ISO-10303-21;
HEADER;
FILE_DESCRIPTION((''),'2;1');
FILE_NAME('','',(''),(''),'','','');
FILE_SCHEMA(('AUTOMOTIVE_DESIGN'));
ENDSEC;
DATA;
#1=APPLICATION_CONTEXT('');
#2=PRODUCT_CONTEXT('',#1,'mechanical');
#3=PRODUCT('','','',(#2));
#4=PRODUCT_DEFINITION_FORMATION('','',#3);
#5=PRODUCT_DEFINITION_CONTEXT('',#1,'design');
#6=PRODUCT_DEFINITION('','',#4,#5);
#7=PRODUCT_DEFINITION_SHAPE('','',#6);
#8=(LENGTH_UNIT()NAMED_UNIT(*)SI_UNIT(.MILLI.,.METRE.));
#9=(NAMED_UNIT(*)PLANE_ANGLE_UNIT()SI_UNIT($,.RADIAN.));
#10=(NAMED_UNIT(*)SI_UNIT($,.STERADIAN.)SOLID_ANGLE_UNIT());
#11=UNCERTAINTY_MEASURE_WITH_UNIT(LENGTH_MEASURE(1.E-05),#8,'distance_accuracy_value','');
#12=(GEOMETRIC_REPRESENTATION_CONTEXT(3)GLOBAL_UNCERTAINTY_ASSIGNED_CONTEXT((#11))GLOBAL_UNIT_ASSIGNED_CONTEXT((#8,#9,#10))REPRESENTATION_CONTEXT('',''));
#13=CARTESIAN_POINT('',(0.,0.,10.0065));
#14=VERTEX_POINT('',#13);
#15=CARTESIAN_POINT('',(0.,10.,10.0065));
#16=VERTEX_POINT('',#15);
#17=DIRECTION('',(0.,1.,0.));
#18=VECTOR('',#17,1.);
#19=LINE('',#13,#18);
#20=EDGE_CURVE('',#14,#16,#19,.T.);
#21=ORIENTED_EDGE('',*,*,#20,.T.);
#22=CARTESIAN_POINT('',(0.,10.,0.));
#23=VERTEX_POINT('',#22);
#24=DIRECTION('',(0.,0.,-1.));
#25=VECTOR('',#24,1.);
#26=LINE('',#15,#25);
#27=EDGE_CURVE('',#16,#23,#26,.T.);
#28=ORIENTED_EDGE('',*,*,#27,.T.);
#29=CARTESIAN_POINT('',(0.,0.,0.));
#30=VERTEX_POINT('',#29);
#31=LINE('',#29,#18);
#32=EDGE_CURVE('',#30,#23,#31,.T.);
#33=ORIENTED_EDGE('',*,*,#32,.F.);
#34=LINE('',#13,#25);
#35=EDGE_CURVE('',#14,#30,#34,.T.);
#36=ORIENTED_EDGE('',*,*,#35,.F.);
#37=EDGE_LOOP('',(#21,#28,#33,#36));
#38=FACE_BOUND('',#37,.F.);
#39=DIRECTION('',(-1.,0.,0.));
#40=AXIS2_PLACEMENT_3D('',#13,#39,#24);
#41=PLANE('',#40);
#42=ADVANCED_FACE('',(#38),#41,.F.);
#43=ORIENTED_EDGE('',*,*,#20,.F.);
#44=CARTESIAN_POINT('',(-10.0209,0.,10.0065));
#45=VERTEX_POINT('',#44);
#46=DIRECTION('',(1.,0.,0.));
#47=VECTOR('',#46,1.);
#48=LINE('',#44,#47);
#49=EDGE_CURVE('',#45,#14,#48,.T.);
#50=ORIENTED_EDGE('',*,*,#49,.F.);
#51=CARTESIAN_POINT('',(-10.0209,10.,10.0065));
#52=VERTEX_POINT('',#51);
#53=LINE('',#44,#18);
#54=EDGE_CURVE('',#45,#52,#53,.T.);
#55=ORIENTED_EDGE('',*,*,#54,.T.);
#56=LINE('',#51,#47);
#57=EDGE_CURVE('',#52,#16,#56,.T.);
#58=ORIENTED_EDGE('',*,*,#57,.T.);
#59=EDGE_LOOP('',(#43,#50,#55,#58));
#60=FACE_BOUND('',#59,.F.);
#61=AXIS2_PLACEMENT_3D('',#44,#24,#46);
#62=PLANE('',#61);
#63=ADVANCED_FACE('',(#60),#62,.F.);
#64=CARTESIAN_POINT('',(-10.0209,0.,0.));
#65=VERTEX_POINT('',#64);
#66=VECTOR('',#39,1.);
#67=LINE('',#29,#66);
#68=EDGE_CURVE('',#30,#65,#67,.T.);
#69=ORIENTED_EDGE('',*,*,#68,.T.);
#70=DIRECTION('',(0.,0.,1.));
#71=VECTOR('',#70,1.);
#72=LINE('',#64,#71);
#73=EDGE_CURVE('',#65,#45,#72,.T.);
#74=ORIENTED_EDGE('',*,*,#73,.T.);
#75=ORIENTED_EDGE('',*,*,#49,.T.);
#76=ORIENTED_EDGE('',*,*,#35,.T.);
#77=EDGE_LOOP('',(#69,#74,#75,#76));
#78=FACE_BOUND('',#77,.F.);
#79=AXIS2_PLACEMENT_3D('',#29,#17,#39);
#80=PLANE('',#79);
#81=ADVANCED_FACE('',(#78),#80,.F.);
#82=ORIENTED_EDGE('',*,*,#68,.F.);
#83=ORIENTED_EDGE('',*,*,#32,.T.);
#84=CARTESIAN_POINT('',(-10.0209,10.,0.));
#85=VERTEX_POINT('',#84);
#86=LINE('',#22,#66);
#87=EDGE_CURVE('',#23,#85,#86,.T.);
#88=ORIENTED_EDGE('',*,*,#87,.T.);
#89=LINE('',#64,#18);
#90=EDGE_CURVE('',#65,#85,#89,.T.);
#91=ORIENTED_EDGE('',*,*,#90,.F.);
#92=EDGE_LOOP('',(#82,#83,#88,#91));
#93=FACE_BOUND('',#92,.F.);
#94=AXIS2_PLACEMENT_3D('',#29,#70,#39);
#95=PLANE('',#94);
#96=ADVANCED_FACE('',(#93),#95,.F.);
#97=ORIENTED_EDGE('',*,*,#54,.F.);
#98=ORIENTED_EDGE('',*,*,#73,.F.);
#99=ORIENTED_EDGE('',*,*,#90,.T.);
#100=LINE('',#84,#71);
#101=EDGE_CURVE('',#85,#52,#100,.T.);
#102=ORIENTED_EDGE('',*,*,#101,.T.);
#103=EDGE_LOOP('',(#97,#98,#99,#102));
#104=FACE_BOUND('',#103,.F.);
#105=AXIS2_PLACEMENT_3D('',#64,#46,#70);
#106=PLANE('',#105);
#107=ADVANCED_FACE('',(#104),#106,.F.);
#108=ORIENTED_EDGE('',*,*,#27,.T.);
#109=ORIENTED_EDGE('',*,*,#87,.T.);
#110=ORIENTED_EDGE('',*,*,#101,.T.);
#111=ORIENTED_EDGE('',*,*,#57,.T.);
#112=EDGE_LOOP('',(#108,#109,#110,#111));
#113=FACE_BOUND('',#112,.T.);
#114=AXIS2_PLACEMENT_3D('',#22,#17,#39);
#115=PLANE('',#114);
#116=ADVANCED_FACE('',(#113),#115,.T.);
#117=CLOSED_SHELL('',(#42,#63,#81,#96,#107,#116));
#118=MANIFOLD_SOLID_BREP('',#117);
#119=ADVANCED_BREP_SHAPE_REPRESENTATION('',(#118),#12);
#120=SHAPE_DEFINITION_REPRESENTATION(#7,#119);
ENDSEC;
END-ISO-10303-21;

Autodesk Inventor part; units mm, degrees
ref_plane "YZ Plane" through (0, 0, 0) normal (1, 0, 0) x (0, 1, 0)
ref_plane "XZ Plane" through (0, 0, 0) normal (0, 1, 0) x (-1, 0, 0)
ref_plane "XY Plane" through (0, 0, 0) normal (0, 0, 1) x (1, 0, 0)
sketch "Sketch2" plane through (0, 0, 0) normal (0, 1, 0) x (-1, 0, 0)
  line L0 (0, 0) -> (10.0209, 0)
  line L1 (10.0209, 0) -> (10.0209, 10.0065)
  line L2 (10.0209, 10.0065) -> (0, 10.0065)
  line L3 (0, 10.0065) -> (0, 0)
extrude "Extrusion2" add sketch "Sketch2" along normal blind 10
properties part number "test_cube_10x10x10"
